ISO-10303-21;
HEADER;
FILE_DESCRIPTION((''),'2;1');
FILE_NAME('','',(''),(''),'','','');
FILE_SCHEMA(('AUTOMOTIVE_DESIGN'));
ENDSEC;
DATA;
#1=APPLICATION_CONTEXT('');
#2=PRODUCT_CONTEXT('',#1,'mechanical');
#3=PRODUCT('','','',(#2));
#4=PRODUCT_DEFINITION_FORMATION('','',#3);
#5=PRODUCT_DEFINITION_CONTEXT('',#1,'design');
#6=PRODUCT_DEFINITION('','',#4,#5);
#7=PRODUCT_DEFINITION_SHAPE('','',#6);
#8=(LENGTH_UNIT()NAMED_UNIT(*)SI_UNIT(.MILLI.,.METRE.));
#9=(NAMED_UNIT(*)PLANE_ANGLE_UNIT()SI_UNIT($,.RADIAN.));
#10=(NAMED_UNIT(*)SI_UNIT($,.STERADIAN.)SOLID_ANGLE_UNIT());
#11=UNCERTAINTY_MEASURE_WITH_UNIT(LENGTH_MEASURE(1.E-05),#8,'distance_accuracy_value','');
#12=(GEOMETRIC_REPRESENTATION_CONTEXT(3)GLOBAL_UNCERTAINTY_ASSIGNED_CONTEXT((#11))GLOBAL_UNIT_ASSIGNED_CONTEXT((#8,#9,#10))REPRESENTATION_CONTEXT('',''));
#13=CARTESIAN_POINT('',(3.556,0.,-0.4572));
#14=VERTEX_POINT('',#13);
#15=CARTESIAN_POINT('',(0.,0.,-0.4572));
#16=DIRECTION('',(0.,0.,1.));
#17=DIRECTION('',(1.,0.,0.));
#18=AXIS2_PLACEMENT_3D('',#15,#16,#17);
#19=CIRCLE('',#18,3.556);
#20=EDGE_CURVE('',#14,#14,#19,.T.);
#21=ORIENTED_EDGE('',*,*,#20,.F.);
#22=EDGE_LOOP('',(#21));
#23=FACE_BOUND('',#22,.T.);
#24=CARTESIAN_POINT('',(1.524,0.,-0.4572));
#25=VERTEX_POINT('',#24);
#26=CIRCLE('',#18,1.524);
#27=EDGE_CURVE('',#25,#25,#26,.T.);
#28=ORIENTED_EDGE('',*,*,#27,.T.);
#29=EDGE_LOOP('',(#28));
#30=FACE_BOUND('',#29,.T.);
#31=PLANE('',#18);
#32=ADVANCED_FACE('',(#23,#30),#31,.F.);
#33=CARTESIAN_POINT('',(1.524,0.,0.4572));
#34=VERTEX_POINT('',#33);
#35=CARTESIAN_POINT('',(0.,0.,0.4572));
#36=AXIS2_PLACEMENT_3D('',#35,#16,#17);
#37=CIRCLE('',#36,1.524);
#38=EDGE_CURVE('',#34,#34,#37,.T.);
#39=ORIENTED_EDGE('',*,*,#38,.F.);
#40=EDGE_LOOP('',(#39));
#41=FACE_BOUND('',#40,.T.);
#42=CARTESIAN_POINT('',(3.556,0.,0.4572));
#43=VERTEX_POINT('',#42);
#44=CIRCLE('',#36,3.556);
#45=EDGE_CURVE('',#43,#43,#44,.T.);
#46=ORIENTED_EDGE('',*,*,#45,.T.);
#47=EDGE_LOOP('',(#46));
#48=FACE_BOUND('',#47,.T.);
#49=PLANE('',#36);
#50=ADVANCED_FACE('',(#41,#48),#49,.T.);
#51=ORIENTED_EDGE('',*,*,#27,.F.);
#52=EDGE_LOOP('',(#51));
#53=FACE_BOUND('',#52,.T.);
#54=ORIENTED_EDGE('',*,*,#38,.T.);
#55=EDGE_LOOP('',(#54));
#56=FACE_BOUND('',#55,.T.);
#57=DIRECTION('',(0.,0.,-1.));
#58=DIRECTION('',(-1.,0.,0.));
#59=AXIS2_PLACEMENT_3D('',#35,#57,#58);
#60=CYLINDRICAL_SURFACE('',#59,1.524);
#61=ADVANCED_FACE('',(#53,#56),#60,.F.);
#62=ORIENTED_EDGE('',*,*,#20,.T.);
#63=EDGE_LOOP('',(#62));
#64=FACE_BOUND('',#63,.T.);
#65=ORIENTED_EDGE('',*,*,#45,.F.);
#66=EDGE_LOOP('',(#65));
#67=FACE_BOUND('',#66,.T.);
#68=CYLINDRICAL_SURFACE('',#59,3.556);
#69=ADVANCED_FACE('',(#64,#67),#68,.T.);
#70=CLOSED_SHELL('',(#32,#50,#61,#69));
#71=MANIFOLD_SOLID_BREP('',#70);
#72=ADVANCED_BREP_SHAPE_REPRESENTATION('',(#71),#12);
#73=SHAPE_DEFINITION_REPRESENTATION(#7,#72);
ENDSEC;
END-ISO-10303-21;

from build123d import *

# Parameters (mm, degrees)
BOSS_EXTRUDE1_DEPTH      = 0.4572
BOSS_EXTRUDE1_DEPTH_BACK = 0.4572
SKETCH3_R                = 3.556
SKETCH3_R_2              = 1.524


with BuildPart() as part:
    # Sketch3 → Boss-Extrude1 (new, two sides: drawn at the far end of the back side and taken through both)
    with BuildSketch(Plane.XY.offset(-BOSS_EXTRUDE1_DEPTH_BACK)):
        Circle(SKETCH3_R)
        Circle(SKETCH3_R_2, mode=Mode.SUBTRACT)
    extrude(amount=BOSS_EXTRUDE1_DEPTH + BOSS_EXTRUDE1_DEPTH_BACK)


solid = part.part
